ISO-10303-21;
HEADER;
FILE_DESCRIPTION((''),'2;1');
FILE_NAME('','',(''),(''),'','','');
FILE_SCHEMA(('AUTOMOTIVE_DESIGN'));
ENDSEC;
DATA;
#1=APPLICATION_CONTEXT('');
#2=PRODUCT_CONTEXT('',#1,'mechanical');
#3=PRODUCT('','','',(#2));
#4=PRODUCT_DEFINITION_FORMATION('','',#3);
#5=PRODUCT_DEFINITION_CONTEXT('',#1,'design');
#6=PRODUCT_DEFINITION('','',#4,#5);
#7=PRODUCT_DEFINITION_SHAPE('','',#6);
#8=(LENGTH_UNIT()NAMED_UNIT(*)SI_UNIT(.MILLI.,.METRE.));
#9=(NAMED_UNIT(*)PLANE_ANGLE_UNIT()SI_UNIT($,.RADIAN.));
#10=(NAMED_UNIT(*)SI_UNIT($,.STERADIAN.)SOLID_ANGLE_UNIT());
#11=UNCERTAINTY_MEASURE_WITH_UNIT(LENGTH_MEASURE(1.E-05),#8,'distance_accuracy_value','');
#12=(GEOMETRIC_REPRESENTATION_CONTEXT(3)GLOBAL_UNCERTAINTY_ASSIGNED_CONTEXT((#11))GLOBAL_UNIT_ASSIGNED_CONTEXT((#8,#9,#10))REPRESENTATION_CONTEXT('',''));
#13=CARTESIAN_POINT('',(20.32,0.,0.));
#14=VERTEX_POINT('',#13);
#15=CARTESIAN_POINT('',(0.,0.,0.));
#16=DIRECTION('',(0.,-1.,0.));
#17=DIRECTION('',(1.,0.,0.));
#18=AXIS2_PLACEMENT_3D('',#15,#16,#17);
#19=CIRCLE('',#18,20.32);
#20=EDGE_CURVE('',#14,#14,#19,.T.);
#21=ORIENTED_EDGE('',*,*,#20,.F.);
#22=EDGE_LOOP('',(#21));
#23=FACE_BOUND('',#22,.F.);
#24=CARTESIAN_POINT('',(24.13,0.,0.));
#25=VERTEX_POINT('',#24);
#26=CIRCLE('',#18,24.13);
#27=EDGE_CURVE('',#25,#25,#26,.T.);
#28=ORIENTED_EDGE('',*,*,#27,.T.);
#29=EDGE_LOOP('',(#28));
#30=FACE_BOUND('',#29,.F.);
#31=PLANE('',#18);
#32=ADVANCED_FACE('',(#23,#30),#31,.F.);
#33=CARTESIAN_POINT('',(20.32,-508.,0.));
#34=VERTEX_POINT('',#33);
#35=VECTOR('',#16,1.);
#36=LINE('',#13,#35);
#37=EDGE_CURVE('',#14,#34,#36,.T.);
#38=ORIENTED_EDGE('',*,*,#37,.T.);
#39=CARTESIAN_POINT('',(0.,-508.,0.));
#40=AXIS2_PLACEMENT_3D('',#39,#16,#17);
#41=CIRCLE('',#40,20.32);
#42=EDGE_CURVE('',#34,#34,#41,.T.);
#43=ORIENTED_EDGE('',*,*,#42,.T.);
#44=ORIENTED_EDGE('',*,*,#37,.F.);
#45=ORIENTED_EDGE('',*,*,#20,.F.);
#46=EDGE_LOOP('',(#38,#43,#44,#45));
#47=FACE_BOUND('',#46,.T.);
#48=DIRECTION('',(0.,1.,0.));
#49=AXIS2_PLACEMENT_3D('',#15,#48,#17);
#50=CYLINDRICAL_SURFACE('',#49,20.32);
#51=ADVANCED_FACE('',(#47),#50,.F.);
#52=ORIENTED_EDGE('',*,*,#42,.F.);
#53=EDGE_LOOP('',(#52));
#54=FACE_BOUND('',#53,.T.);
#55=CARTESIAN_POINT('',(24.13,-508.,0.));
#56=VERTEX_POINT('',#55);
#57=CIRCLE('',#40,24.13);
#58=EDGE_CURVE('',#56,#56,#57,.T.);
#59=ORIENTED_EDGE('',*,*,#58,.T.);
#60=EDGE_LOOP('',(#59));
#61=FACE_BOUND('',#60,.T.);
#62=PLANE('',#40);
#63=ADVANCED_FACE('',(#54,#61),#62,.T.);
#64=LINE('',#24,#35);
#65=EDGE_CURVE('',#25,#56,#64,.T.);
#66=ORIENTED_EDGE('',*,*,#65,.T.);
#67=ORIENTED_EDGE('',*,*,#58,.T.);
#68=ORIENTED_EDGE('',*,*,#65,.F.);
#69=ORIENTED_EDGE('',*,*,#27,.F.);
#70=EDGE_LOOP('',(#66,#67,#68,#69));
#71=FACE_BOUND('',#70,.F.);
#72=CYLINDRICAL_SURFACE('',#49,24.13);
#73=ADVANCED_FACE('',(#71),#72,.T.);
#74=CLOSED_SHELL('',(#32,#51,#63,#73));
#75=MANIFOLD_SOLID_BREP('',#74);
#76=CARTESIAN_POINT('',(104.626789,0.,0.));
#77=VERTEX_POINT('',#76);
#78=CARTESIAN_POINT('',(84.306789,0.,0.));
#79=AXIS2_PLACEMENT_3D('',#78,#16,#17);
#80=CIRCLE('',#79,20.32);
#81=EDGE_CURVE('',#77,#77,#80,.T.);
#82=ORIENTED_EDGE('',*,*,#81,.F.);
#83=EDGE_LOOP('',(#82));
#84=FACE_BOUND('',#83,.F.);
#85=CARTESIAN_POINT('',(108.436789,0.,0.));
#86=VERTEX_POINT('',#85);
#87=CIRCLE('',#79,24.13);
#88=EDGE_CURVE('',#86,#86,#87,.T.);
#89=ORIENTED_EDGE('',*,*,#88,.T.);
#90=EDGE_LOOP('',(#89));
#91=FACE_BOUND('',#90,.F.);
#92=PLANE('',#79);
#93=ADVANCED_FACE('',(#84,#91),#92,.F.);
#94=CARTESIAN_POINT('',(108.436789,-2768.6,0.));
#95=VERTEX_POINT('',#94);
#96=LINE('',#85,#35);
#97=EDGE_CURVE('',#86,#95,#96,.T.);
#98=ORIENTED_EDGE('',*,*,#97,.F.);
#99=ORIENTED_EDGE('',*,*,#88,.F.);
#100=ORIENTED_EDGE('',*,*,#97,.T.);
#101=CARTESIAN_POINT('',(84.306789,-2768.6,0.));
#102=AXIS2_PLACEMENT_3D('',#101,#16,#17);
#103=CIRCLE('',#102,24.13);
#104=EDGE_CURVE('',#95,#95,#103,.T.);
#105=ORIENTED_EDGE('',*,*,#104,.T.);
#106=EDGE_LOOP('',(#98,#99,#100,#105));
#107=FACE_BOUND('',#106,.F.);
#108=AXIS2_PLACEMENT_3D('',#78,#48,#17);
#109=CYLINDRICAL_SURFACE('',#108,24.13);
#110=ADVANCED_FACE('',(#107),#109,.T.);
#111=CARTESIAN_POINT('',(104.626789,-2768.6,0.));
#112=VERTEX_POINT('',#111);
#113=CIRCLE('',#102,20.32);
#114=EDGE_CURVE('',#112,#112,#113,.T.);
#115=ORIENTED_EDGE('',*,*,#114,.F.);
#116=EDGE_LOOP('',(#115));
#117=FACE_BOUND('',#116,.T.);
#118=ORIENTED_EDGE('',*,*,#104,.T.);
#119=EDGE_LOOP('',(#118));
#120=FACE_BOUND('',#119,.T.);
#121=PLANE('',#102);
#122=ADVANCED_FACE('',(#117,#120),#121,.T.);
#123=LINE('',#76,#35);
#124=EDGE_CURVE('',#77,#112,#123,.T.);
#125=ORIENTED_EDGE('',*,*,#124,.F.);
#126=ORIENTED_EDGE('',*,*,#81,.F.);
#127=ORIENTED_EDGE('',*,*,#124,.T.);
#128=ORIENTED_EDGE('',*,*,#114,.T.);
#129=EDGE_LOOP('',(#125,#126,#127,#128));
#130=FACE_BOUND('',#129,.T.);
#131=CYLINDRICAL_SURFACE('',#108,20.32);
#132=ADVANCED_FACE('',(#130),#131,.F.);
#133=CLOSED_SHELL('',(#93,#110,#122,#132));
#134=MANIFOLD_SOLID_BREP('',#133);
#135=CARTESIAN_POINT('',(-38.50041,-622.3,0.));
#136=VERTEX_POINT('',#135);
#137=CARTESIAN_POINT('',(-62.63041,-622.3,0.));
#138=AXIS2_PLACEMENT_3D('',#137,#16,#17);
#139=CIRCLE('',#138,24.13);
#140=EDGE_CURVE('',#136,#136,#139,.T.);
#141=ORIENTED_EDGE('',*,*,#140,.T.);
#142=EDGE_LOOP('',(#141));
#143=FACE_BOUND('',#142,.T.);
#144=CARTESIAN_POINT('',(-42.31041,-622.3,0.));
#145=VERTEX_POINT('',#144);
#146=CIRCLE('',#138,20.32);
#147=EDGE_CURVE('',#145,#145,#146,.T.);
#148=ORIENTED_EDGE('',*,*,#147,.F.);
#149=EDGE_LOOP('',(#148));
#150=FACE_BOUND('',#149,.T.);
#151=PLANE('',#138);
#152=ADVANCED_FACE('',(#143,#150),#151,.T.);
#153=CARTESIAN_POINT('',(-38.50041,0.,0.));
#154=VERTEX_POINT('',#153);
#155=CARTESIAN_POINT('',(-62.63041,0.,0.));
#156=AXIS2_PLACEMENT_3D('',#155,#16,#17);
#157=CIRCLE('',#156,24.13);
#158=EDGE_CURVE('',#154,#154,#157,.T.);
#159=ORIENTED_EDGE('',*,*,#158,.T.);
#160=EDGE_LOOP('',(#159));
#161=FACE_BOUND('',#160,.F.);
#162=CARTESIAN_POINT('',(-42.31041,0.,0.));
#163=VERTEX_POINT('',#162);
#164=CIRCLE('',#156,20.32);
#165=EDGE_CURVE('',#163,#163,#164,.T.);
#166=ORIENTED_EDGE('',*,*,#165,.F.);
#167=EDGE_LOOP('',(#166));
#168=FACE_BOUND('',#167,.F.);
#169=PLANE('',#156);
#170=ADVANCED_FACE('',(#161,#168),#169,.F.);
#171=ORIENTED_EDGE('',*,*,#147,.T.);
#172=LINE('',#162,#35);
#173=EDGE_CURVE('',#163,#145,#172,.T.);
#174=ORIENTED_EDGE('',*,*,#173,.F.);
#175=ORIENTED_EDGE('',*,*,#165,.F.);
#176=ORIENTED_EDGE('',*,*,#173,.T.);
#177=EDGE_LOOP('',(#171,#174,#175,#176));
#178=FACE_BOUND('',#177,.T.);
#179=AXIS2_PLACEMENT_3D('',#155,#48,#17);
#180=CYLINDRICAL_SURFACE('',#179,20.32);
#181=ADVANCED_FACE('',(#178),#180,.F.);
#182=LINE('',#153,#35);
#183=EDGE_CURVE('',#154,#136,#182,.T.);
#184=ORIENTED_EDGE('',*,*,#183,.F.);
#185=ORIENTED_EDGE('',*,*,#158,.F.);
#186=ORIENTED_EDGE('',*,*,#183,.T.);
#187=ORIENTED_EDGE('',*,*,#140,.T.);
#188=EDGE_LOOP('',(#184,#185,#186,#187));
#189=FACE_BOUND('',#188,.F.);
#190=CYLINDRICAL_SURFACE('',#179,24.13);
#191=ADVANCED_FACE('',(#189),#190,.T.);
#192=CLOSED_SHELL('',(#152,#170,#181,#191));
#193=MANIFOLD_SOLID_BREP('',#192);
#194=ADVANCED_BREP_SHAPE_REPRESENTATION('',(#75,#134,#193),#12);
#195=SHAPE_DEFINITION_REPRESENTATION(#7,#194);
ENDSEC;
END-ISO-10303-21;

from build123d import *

# Parameters (mm, degrees)
F0_R     = 24.13
F0_R_2   = 20.32
F1_DEPTH = 508
F2_R     = 24.13
F2_R_2   = 20.32
F3_DEPTH = 2768.6
F4_R     = 24.13
F4_R_2   = 20.32
F5_DEPTH = 622.3


with BuildPart() as f1:
    # F0 (on Front) → F1 (new body)
    with BuildSketch(Plane.XZ):
        Circle(F0_R)
        Circle(F0_R_2, mode=Mode.SUBTRACT)
    extrude(amount=F1_DEPTH)


with BuildPart() as f3:
    # F2 (on Front) → F3 (new body)
    with BuildSketch(Plane.XZ):
        with Locations((84.306789, 0)):
            Circle(F2_R)
        with Locations((84.306789, 0)):
            Circle(F2_R_2, mode=Mode.SUBTRACT)
    extrude(amount=F3_DEPTH)


with BuildPart() as f5:
    # F4 (on Front) → F5 (new body)
    with BuildSketch(Plane.XZ):
        with Locations((-62.63041, 0)):
            Circle(F4_R)
        with Locations((-62.63041, 0)):
            Circle(F4_R_2, mode=Mode.SUBTRACT)
    extrude(amount=F5_DEPTH)


solid = Compound([f1.part, f3.part, f5.part])
